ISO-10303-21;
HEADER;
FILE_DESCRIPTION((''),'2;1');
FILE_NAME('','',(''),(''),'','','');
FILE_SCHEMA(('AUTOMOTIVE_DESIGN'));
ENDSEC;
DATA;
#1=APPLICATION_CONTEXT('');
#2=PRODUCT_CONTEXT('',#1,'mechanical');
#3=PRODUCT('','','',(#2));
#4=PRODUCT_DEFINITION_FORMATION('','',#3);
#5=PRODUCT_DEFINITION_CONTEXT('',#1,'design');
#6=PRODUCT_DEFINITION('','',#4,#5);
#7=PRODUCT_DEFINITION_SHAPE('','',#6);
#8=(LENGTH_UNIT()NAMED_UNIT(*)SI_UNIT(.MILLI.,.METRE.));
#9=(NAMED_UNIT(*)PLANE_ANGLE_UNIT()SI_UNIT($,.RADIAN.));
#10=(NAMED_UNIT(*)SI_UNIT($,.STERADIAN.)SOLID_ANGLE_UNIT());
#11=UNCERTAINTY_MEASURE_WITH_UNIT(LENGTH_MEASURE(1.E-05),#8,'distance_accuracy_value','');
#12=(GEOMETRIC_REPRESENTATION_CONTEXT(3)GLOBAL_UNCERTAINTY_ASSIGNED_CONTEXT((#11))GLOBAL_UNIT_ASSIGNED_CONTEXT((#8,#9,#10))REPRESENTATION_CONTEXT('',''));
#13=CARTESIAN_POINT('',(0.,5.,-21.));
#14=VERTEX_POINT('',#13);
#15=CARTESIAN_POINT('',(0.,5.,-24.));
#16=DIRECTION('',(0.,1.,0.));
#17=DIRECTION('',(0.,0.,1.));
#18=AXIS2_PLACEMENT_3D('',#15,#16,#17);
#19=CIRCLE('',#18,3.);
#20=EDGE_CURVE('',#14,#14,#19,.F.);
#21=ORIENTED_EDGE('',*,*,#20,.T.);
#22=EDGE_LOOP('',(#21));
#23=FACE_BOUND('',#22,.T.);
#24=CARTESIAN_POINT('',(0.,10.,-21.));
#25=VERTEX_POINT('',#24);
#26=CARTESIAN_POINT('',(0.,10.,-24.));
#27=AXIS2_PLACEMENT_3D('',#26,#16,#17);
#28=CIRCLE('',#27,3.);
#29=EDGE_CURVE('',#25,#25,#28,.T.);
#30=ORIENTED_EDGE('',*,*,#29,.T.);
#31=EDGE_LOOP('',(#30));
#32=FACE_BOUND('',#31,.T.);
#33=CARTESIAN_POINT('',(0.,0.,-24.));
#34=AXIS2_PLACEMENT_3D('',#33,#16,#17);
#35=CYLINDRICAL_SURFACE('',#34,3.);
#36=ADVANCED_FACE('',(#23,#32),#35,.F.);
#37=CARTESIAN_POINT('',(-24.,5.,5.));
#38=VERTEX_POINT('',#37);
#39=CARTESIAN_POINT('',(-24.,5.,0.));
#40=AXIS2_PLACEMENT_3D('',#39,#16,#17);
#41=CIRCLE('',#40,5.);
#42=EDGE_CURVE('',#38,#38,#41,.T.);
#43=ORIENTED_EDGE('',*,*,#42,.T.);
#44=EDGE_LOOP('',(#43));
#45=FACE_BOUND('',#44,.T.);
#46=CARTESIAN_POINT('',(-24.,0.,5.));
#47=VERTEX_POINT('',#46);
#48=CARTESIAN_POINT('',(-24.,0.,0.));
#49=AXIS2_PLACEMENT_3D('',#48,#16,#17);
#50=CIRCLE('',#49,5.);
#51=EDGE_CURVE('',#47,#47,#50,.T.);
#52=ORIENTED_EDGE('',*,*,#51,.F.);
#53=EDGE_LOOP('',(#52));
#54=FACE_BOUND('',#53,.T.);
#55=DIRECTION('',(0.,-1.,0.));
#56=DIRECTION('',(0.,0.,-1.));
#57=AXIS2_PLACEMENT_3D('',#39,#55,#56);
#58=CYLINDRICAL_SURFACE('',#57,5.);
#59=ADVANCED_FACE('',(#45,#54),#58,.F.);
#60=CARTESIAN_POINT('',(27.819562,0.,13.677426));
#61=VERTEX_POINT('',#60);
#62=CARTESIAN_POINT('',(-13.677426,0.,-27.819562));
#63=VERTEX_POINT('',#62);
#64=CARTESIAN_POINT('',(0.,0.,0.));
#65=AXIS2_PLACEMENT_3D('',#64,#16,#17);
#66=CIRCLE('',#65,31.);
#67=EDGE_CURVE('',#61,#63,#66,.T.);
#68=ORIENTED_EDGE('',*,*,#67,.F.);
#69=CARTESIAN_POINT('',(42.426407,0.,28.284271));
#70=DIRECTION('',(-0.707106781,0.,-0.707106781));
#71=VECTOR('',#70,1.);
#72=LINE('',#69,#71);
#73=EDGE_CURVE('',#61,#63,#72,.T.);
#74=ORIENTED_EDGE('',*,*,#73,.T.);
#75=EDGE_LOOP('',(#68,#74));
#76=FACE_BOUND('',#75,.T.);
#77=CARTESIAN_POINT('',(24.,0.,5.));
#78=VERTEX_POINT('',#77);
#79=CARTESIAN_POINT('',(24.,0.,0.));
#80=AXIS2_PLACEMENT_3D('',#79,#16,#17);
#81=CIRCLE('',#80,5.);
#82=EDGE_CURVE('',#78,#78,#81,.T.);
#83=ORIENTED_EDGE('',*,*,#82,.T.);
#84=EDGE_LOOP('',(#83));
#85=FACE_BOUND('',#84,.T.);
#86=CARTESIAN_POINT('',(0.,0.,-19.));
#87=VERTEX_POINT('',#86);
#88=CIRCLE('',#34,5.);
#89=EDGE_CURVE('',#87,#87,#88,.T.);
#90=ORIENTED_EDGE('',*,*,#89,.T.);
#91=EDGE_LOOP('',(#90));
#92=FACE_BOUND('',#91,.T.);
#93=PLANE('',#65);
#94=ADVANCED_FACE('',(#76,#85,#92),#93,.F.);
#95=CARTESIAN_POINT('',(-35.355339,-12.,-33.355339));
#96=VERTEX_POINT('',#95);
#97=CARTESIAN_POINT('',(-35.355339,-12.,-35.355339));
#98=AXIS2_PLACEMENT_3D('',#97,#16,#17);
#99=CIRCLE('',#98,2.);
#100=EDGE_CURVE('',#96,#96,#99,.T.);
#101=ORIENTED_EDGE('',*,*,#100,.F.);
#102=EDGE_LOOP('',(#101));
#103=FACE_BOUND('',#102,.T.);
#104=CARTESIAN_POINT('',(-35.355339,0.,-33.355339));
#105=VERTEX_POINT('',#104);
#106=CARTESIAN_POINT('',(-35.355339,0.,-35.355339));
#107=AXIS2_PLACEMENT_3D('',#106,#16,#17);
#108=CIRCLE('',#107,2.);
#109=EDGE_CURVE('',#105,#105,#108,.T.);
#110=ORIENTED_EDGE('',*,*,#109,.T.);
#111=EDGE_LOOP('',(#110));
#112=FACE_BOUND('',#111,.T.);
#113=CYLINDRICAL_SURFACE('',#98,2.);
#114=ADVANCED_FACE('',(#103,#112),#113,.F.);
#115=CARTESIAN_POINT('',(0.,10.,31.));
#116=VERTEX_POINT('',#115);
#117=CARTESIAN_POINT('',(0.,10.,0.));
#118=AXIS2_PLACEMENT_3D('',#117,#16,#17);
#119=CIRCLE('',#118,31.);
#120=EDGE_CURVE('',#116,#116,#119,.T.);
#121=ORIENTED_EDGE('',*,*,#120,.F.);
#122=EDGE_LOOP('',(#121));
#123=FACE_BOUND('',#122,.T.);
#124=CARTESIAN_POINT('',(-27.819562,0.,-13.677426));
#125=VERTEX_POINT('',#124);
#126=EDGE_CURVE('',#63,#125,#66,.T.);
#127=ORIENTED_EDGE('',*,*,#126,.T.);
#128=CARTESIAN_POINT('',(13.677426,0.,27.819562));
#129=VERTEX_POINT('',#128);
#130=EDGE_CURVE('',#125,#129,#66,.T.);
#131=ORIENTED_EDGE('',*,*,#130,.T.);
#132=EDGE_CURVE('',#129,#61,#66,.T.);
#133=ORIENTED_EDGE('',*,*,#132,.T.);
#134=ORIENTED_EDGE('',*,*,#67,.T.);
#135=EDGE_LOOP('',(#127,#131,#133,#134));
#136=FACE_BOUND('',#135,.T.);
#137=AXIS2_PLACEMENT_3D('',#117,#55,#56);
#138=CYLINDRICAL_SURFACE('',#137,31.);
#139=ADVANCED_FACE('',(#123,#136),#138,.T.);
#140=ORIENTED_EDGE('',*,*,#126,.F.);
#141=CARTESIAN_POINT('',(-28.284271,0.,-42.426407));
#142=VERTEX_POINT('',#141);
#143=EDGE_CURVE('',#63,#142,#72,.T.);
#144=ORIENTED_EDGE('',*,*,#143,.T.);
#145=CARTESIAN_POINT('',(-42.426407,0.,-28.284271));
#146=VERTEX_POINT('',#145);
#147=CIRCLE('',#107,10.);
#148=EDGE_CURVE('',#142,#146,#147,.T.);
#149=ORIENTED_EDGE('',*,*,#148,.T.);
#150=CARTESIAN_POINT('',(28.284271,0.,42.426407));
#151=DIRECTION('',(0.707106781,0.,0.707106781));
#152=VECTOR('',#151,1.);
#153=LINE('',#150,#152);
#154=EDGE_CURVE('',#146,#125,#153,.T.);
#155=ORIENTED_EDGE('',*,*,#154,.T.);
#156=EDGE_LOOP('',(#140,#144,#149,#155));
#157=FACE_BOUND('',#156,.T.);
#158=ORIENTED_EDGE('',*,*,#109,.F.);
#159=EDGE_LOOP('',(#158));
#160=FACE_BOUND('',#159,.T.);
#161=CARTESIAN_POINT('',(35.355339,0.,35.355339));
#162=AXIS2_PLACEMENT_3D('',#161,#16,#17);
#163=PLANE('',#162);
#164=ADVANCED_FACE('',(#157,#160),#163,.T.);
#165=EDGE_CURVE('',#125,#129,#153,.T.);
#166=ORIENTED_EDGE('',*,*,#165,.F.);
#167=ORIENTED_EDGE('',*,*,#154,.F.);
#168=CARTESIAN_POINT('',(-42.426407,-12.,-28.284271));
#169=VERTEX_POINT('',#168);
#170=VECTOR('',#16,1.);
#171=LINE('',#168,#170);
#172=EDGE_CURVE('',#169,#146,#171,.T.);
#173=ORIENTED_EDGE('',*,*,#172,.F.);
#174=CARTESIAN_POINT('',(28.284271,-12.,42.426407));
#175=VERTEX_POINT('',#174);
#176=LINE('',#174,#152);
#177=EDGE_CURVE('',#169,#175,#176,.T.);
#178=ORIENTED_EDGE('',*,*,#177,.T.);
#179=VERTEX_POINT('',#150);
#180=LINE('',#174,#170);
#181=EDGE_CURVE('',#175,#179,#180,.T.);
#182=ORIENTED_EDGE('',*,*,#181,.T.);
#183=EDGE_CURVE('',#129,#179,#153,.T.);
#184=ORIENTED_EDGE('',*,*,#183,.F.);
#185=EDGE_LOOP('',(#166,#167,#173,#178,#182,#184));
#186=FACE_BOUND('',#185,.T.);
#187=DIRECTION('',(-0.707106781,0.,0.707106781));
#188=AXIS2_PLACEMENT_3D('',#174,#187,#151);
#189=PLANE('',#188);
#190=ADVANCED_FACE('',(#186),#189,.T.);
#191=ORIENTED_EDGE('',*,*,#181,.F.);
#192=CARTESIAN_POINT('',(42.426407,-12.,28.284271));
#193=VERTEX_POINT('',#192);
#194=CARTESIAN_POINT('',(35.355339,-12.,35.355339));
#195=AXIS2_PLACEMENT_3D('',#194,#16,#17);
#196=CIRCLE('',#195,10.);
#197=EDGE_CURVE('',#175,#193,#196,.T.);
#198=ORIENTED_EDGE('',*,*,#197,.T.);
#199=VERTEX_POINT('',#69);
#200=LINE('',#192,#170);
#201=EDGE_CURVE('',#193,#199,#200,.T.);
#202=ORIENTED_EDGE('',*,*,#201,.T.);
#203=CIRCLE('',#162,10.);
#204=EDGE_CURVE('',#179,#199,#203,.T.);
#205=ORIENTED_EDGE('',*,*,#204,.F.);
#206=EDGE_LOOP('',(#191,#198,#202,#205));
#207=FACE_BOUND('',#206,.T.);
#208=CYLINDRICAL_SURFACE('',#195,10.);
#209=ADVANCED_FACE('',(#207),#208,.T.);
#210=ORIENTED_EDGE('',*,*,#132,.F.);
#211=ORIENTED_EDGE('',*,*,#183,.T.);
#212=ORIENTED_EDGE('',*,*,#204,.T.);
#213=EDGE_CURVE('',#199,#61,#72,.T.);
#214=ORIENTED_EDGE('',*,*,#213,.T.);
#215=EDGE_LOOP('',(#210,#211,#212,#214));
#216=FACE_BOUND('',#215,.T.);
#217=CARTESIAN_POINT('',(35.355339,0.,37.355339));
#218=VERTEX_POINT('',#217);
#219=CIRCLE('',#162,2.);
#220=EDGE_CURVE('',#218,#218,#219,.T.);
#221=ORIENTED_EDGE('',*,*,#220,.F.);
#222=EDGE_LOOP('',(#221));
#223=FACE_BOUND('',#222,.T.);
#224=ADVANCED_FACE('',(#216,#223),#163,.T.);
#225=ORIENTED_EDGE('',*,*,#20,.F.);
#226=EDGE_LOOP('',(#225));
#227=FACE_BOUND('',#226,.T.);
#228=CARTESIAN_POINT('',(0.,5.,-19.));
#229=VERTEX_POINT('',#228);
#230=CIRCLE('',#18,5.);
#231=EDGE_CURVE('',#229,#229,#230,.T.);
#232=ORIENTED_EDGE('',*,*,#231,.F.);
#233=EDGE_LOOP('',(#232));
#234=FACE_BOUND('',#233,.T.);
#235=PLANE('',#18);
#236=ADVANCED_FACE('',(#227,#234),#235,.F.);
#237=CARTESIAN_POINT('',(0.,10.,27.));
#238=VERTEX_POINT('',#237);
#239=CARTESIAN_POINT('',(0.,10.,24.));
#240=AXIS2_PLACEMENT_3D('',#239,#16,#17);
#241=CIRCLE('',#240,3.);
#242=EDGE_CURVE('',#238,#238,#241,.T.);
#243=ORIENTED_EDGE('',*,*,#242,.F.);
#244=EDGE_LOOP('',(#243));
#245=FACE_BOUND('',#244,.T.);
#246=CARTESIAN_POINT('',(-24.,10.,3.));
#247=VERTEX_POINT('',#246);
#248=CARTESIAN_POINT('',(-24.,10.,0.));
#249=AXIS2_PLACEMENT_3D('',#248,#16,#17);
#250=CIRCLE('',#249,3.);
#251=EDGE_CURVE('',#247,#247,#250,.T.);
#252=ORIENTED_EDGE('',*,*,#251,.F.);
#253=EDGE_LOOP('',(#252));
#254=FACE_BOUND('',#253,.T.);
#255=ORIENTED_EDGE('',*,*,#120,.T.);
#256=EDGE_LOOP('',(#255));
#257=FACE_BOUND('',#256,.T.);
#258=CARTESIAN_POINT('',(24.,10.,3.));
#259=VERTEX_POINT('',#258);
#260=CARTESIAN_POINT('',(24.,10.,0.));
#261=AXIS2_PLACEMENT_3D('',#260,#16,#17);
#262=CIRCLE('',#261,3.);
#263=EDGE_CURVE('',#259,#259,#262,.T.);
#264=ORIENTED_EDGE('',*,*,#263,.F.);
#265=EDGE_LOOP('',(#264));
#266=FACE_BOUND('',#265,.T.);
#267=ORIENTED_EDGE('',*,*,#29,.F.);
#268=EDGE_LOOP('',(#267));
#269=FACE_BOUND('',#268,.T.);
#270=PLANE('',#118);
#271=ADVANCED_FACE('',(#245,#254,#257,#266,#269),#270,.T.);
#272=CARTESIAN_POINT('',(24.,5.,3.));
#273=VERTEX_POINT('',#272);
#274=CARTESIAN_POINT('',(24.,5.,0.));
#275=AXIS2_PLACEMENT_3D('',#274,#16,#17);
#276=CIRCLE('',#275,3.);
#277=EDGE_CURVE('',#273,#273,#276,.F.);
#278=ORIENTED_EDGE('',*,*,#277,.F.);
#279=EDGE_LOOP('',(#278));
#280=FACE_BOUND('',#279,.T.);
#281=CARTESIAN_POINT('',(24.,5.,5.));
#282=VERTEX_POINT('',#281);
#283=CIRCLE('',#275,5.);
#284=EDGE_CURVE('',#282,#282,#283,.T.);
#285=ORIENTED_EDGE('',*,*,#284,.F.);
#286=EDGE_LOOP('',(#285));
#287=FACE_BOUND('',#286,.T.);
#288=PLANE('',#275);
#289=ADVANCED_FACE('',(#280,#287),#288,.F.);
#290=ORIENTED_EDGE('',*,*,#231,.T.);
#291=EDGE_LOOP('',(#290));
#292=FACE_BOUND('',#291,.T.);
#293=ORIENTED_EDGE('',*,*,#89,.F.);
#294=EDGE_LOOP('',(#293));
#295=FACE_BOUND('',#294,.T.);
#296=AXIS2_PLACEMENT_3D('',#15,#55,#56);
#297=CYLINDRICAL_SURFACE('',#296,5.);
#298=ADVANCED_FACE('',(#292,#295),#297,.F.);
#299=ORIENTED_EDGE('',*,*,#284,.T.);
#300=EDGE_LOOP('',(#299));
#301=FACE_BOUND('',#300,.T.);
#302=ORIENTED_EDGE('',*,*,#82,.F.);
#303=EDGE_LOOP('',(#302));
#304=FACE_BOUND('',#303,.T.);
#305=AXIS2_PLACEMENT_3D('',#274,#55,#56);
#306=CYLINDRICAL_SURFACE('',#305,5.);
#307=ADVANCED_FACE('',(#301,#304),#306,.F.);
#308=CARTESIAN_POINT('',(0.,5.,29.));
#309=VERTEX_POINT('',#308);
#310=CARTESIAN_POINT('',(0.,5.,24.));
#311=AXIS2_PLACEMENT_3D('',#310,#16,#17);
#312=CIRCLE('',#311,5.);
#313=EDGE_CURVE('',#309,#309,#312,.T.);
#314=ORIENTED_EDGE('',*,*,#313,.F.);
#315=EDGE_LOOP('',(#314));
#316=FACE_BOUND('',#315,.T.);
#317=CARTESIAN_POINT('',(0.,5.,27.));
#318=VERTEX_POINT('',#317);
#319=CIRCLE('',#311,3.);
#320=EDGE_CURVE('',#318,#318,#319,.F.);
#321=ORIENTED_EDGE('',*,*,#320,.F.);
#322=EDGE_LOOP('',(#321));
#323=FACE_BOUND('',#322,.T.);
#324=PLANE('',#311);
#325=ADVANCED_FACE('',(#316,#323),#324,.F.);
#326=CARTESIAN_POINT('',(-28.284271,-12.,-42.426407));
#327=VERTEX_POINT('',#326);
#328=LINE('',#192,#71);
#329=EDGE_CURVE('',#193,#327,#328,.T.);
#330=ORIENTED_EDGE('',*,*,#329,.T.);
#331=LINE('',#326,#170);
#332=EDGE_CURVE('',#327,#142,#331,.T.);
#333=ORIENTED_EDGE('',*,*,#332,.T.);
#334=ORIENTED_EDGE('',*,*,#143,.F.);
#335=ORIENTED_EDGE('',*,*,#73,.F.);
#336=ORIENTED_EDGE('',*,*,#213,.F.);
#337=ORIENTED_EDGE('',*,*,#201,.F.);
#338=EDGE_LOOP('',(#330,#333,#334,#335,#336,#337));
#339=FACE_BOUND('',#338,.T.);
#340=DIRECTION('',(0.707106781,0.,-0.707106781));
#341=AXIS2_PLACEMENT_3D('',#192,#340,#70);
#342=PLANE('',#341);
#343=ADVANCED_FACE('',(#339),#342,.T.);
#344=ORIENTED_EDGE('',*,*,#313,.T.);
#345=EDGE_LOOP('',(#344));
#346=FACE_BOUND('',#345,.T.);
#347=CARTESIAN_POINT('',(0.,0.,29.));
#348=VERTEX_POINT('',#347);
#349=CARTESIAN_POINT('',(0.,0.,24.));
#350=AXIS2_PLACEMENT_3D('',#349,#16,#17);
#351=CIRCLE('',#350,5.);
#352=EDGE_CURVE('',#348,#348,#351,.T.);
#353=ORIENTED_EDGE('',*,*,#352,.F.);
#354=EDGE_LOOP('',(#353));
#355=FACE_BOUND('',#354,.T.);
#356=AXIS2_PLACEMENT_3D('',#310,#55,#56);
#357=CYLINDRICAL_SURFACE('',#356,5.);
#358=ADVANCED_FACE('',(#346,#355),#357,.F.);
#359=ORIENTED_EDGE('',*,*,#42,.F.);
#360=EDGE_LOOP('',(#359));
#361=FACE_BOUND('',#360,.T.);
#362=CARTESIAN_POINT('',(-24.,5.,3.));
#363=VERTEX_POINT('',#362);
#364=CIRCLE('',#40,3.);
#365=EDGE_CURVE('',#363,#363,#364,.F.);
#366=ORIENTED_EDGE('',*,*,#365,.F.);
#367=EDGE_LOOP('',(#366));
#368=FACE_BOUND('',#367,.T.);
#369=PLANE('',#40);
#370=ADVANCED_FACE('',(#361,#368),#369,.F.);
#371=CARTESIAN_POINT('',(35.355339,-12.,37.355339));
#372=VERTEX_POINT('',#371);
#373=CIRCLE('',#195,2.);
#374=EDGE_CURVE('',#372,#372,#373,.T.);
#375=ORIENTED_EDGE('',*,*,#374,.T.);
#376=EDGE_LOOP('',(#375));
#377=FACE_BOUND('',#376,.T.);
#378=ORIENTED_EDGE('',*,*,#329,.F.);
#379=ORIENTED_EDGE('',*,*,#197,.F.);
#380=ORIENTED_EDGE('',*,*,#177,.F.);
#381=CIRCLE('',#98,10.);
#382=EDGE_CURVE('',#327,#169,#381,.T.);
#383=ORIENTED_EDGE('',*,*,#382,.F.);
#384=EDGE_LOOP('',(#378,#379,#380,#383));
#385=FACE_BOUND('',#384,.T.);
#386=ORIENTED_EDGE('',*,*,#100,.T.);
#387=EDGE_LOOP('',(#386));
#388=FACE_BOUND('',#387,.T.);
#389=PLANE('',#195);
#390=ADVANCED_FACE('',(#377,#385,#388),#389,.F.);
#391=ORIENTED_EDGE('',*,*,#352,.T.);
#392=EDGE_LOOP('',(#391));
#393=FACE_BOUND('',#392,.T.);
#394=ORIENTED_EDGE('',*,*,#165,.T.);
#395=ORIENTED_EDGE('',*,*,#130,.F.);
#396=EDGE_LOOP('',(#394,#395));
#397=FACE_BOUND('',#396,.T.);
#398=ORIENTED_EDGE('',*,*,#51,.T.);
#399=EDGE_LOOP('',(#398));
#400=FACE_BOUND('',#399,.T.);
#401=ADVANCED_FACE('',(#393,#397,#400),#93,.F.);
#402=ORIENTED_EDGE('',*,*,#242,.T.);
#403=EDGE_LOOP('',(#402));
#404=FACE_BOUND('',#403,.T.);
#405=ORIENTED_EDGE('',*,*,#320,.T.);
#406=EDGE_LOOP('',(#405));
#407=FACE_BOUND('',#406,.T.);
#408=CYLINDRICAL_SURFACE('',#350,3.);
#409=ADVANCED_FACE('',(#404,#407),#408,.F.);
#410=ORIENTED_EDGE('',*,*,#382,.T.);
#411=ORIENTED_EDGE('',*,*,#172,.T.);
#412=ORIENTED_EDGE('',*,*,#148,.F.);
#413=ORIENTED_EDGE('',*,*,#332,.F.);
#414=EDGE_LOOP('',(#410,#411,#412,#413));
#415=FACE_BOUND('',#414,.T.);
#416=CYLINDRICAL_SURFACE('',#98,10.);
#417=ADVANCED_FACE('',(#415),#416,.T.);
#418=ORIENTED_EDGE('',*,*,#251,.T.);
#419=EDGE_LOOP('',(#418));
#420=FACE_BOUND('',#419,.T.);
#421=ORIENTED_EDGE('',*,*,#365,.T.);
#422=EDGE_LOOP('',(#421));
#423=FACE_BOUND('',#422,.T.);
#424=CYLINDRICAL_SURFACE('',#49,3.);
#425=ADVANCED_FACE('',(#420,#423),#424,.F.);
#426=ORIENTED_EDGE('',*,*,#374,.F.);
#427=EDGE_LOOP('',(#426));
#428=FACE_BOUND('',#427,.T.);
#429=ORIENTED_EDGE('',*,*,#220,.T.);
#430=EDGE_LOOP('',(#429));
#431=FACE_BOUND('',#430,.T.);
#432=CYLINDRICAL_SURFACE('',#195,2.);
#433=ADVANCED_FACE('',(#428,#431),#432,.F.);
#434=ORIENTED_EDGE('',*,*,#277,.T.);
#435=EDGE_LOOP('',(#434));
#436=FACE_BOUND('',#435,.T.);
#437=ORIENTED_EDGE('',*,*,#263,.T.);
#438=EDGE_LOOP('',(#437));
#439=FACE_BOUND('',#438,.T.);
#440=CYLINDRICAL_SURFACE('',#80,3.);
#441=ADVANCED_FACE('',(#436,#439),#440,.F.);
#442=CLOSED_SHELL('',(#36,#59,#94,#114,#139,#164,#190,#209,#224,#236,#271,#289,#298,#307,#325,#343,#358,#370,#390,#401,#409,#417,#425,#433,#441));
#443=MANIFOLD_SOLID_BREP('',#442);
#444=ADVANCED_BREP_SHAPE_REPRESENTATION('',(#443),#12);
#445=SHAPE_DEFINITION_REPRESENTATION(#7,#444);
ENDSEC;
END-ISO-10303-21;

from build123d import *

# Parameters (mm, degrees)
SKETCH1_R           = 31
BOSS_EXTRUDE1_DEPTH = 10
SKETCH2_R           = 3
CUT_EXTRUDE11_DEPTH = 10
SKETCH5_R           = 5
CUT_EXTRUDE14_DEPTH = 5
SKETCH6_R           = 2
BOSS_EXTRUDE5_DEPTH = 12


with BuildPart() as part:
    # Sketch1 → Boss-Extrude1 (new body)
    with BuildSketch(Plane(origin=(0, 0, 0), x_dir=(1, 0, 0), z_dir=(0, 1, 0))):
        with Locations(Location((0, 0, 0), (0, 0, 270))):
            Circle(SKETCH1_R)
    extrude(amount=BOSS_EXTRUDE1_DEPTH)

    # Sketch2 → Cut-Extrude11 (cut)
    with BuildSketch(Plane(origin=(0, 10, 0), x_dir=(1, 0, 0), z_dir=(0, 1, 0))):
        with Locations(Location((0, 24, 0), (0, 0, 270))):
            Circle(SKETCH2_R)
        with Locations(Location((24, 0, 0), (0, 0, 270))):
            Circle(SKETCH2_R)
        with Locations(Location((0, -24, 0), (0, 0, 270))):
            Circle(SKETCH2_R)
        with Locations(Location((-24, 0, 0), (0, 0, 270))):
            Circle(SKETCH2_R)
    extrude(amount=-CUT_EXTRUDE11_DEPTH, mode=Mode.SUBTRACT)

    # Sketch5 → Cut-Extrude14 (cut)
    with BuildSketch(Plane(origin=(0, 0, 0), x_dir=(1, 0, 0), z_dir=(0, 1, 0))):
        with Locations(Location((0, 24, 0), (0, 0, 270))):
            Circle(SKETCH5_R)
        with Locations(Location((24, 0, 0), (0, 0, 270))):
            Circle(SKETCH5_R)
        with Locations(Location((0, -24, 0), (0, 0, 270))):
            Circle(SKETCH5_R)
        with Locations(Location((-24, 0, 0), (0, 0, 270))):
            Circle(SKETCH5_R)
    extrude(amount=CUT_EXTRUDE14_DEPTH, mode=Mode.SUBTRACT)

    # Sketch6 → Boss-Extrude5 (add)
    with BuildSketch(Plane(origin=(0, 0, 0), x_dir=(1, 0, 0), z_dir=(0, 1, 0))):
        with BuildLine():
            Line((28.284271247, -42.426406871), (-42.426406871, 28.284271247))
            ThreePointArc((-42.426406871, 28.284271247), (-42.426406871, 42.426406871), (-28.284271247, 42.426406871))
            Line((-28.284271247, 42.426406871), (42.426406871, -28.284271247))
            ThreePointArc((42.426406871, -28.284271247), (42.426406871, -42.426406871), (28.284271247, -42.426406871))
        make_face()
        with Locations(Location((-35.355339059, 35.355339059, 0), (0, 0, 270))):
            Circle(SKETCH6_R, mode=Mode.SUBTRACT)
        with Locations(Location((35.355339059, -35.355339059, 0), (0, 0, 270))):
            Circle(SKETCH6_R, mode=Mode.SUBTRACT)
    extrude(amount=-BOSS_EXTRUDE5_DEPTH)


solid = part.part
